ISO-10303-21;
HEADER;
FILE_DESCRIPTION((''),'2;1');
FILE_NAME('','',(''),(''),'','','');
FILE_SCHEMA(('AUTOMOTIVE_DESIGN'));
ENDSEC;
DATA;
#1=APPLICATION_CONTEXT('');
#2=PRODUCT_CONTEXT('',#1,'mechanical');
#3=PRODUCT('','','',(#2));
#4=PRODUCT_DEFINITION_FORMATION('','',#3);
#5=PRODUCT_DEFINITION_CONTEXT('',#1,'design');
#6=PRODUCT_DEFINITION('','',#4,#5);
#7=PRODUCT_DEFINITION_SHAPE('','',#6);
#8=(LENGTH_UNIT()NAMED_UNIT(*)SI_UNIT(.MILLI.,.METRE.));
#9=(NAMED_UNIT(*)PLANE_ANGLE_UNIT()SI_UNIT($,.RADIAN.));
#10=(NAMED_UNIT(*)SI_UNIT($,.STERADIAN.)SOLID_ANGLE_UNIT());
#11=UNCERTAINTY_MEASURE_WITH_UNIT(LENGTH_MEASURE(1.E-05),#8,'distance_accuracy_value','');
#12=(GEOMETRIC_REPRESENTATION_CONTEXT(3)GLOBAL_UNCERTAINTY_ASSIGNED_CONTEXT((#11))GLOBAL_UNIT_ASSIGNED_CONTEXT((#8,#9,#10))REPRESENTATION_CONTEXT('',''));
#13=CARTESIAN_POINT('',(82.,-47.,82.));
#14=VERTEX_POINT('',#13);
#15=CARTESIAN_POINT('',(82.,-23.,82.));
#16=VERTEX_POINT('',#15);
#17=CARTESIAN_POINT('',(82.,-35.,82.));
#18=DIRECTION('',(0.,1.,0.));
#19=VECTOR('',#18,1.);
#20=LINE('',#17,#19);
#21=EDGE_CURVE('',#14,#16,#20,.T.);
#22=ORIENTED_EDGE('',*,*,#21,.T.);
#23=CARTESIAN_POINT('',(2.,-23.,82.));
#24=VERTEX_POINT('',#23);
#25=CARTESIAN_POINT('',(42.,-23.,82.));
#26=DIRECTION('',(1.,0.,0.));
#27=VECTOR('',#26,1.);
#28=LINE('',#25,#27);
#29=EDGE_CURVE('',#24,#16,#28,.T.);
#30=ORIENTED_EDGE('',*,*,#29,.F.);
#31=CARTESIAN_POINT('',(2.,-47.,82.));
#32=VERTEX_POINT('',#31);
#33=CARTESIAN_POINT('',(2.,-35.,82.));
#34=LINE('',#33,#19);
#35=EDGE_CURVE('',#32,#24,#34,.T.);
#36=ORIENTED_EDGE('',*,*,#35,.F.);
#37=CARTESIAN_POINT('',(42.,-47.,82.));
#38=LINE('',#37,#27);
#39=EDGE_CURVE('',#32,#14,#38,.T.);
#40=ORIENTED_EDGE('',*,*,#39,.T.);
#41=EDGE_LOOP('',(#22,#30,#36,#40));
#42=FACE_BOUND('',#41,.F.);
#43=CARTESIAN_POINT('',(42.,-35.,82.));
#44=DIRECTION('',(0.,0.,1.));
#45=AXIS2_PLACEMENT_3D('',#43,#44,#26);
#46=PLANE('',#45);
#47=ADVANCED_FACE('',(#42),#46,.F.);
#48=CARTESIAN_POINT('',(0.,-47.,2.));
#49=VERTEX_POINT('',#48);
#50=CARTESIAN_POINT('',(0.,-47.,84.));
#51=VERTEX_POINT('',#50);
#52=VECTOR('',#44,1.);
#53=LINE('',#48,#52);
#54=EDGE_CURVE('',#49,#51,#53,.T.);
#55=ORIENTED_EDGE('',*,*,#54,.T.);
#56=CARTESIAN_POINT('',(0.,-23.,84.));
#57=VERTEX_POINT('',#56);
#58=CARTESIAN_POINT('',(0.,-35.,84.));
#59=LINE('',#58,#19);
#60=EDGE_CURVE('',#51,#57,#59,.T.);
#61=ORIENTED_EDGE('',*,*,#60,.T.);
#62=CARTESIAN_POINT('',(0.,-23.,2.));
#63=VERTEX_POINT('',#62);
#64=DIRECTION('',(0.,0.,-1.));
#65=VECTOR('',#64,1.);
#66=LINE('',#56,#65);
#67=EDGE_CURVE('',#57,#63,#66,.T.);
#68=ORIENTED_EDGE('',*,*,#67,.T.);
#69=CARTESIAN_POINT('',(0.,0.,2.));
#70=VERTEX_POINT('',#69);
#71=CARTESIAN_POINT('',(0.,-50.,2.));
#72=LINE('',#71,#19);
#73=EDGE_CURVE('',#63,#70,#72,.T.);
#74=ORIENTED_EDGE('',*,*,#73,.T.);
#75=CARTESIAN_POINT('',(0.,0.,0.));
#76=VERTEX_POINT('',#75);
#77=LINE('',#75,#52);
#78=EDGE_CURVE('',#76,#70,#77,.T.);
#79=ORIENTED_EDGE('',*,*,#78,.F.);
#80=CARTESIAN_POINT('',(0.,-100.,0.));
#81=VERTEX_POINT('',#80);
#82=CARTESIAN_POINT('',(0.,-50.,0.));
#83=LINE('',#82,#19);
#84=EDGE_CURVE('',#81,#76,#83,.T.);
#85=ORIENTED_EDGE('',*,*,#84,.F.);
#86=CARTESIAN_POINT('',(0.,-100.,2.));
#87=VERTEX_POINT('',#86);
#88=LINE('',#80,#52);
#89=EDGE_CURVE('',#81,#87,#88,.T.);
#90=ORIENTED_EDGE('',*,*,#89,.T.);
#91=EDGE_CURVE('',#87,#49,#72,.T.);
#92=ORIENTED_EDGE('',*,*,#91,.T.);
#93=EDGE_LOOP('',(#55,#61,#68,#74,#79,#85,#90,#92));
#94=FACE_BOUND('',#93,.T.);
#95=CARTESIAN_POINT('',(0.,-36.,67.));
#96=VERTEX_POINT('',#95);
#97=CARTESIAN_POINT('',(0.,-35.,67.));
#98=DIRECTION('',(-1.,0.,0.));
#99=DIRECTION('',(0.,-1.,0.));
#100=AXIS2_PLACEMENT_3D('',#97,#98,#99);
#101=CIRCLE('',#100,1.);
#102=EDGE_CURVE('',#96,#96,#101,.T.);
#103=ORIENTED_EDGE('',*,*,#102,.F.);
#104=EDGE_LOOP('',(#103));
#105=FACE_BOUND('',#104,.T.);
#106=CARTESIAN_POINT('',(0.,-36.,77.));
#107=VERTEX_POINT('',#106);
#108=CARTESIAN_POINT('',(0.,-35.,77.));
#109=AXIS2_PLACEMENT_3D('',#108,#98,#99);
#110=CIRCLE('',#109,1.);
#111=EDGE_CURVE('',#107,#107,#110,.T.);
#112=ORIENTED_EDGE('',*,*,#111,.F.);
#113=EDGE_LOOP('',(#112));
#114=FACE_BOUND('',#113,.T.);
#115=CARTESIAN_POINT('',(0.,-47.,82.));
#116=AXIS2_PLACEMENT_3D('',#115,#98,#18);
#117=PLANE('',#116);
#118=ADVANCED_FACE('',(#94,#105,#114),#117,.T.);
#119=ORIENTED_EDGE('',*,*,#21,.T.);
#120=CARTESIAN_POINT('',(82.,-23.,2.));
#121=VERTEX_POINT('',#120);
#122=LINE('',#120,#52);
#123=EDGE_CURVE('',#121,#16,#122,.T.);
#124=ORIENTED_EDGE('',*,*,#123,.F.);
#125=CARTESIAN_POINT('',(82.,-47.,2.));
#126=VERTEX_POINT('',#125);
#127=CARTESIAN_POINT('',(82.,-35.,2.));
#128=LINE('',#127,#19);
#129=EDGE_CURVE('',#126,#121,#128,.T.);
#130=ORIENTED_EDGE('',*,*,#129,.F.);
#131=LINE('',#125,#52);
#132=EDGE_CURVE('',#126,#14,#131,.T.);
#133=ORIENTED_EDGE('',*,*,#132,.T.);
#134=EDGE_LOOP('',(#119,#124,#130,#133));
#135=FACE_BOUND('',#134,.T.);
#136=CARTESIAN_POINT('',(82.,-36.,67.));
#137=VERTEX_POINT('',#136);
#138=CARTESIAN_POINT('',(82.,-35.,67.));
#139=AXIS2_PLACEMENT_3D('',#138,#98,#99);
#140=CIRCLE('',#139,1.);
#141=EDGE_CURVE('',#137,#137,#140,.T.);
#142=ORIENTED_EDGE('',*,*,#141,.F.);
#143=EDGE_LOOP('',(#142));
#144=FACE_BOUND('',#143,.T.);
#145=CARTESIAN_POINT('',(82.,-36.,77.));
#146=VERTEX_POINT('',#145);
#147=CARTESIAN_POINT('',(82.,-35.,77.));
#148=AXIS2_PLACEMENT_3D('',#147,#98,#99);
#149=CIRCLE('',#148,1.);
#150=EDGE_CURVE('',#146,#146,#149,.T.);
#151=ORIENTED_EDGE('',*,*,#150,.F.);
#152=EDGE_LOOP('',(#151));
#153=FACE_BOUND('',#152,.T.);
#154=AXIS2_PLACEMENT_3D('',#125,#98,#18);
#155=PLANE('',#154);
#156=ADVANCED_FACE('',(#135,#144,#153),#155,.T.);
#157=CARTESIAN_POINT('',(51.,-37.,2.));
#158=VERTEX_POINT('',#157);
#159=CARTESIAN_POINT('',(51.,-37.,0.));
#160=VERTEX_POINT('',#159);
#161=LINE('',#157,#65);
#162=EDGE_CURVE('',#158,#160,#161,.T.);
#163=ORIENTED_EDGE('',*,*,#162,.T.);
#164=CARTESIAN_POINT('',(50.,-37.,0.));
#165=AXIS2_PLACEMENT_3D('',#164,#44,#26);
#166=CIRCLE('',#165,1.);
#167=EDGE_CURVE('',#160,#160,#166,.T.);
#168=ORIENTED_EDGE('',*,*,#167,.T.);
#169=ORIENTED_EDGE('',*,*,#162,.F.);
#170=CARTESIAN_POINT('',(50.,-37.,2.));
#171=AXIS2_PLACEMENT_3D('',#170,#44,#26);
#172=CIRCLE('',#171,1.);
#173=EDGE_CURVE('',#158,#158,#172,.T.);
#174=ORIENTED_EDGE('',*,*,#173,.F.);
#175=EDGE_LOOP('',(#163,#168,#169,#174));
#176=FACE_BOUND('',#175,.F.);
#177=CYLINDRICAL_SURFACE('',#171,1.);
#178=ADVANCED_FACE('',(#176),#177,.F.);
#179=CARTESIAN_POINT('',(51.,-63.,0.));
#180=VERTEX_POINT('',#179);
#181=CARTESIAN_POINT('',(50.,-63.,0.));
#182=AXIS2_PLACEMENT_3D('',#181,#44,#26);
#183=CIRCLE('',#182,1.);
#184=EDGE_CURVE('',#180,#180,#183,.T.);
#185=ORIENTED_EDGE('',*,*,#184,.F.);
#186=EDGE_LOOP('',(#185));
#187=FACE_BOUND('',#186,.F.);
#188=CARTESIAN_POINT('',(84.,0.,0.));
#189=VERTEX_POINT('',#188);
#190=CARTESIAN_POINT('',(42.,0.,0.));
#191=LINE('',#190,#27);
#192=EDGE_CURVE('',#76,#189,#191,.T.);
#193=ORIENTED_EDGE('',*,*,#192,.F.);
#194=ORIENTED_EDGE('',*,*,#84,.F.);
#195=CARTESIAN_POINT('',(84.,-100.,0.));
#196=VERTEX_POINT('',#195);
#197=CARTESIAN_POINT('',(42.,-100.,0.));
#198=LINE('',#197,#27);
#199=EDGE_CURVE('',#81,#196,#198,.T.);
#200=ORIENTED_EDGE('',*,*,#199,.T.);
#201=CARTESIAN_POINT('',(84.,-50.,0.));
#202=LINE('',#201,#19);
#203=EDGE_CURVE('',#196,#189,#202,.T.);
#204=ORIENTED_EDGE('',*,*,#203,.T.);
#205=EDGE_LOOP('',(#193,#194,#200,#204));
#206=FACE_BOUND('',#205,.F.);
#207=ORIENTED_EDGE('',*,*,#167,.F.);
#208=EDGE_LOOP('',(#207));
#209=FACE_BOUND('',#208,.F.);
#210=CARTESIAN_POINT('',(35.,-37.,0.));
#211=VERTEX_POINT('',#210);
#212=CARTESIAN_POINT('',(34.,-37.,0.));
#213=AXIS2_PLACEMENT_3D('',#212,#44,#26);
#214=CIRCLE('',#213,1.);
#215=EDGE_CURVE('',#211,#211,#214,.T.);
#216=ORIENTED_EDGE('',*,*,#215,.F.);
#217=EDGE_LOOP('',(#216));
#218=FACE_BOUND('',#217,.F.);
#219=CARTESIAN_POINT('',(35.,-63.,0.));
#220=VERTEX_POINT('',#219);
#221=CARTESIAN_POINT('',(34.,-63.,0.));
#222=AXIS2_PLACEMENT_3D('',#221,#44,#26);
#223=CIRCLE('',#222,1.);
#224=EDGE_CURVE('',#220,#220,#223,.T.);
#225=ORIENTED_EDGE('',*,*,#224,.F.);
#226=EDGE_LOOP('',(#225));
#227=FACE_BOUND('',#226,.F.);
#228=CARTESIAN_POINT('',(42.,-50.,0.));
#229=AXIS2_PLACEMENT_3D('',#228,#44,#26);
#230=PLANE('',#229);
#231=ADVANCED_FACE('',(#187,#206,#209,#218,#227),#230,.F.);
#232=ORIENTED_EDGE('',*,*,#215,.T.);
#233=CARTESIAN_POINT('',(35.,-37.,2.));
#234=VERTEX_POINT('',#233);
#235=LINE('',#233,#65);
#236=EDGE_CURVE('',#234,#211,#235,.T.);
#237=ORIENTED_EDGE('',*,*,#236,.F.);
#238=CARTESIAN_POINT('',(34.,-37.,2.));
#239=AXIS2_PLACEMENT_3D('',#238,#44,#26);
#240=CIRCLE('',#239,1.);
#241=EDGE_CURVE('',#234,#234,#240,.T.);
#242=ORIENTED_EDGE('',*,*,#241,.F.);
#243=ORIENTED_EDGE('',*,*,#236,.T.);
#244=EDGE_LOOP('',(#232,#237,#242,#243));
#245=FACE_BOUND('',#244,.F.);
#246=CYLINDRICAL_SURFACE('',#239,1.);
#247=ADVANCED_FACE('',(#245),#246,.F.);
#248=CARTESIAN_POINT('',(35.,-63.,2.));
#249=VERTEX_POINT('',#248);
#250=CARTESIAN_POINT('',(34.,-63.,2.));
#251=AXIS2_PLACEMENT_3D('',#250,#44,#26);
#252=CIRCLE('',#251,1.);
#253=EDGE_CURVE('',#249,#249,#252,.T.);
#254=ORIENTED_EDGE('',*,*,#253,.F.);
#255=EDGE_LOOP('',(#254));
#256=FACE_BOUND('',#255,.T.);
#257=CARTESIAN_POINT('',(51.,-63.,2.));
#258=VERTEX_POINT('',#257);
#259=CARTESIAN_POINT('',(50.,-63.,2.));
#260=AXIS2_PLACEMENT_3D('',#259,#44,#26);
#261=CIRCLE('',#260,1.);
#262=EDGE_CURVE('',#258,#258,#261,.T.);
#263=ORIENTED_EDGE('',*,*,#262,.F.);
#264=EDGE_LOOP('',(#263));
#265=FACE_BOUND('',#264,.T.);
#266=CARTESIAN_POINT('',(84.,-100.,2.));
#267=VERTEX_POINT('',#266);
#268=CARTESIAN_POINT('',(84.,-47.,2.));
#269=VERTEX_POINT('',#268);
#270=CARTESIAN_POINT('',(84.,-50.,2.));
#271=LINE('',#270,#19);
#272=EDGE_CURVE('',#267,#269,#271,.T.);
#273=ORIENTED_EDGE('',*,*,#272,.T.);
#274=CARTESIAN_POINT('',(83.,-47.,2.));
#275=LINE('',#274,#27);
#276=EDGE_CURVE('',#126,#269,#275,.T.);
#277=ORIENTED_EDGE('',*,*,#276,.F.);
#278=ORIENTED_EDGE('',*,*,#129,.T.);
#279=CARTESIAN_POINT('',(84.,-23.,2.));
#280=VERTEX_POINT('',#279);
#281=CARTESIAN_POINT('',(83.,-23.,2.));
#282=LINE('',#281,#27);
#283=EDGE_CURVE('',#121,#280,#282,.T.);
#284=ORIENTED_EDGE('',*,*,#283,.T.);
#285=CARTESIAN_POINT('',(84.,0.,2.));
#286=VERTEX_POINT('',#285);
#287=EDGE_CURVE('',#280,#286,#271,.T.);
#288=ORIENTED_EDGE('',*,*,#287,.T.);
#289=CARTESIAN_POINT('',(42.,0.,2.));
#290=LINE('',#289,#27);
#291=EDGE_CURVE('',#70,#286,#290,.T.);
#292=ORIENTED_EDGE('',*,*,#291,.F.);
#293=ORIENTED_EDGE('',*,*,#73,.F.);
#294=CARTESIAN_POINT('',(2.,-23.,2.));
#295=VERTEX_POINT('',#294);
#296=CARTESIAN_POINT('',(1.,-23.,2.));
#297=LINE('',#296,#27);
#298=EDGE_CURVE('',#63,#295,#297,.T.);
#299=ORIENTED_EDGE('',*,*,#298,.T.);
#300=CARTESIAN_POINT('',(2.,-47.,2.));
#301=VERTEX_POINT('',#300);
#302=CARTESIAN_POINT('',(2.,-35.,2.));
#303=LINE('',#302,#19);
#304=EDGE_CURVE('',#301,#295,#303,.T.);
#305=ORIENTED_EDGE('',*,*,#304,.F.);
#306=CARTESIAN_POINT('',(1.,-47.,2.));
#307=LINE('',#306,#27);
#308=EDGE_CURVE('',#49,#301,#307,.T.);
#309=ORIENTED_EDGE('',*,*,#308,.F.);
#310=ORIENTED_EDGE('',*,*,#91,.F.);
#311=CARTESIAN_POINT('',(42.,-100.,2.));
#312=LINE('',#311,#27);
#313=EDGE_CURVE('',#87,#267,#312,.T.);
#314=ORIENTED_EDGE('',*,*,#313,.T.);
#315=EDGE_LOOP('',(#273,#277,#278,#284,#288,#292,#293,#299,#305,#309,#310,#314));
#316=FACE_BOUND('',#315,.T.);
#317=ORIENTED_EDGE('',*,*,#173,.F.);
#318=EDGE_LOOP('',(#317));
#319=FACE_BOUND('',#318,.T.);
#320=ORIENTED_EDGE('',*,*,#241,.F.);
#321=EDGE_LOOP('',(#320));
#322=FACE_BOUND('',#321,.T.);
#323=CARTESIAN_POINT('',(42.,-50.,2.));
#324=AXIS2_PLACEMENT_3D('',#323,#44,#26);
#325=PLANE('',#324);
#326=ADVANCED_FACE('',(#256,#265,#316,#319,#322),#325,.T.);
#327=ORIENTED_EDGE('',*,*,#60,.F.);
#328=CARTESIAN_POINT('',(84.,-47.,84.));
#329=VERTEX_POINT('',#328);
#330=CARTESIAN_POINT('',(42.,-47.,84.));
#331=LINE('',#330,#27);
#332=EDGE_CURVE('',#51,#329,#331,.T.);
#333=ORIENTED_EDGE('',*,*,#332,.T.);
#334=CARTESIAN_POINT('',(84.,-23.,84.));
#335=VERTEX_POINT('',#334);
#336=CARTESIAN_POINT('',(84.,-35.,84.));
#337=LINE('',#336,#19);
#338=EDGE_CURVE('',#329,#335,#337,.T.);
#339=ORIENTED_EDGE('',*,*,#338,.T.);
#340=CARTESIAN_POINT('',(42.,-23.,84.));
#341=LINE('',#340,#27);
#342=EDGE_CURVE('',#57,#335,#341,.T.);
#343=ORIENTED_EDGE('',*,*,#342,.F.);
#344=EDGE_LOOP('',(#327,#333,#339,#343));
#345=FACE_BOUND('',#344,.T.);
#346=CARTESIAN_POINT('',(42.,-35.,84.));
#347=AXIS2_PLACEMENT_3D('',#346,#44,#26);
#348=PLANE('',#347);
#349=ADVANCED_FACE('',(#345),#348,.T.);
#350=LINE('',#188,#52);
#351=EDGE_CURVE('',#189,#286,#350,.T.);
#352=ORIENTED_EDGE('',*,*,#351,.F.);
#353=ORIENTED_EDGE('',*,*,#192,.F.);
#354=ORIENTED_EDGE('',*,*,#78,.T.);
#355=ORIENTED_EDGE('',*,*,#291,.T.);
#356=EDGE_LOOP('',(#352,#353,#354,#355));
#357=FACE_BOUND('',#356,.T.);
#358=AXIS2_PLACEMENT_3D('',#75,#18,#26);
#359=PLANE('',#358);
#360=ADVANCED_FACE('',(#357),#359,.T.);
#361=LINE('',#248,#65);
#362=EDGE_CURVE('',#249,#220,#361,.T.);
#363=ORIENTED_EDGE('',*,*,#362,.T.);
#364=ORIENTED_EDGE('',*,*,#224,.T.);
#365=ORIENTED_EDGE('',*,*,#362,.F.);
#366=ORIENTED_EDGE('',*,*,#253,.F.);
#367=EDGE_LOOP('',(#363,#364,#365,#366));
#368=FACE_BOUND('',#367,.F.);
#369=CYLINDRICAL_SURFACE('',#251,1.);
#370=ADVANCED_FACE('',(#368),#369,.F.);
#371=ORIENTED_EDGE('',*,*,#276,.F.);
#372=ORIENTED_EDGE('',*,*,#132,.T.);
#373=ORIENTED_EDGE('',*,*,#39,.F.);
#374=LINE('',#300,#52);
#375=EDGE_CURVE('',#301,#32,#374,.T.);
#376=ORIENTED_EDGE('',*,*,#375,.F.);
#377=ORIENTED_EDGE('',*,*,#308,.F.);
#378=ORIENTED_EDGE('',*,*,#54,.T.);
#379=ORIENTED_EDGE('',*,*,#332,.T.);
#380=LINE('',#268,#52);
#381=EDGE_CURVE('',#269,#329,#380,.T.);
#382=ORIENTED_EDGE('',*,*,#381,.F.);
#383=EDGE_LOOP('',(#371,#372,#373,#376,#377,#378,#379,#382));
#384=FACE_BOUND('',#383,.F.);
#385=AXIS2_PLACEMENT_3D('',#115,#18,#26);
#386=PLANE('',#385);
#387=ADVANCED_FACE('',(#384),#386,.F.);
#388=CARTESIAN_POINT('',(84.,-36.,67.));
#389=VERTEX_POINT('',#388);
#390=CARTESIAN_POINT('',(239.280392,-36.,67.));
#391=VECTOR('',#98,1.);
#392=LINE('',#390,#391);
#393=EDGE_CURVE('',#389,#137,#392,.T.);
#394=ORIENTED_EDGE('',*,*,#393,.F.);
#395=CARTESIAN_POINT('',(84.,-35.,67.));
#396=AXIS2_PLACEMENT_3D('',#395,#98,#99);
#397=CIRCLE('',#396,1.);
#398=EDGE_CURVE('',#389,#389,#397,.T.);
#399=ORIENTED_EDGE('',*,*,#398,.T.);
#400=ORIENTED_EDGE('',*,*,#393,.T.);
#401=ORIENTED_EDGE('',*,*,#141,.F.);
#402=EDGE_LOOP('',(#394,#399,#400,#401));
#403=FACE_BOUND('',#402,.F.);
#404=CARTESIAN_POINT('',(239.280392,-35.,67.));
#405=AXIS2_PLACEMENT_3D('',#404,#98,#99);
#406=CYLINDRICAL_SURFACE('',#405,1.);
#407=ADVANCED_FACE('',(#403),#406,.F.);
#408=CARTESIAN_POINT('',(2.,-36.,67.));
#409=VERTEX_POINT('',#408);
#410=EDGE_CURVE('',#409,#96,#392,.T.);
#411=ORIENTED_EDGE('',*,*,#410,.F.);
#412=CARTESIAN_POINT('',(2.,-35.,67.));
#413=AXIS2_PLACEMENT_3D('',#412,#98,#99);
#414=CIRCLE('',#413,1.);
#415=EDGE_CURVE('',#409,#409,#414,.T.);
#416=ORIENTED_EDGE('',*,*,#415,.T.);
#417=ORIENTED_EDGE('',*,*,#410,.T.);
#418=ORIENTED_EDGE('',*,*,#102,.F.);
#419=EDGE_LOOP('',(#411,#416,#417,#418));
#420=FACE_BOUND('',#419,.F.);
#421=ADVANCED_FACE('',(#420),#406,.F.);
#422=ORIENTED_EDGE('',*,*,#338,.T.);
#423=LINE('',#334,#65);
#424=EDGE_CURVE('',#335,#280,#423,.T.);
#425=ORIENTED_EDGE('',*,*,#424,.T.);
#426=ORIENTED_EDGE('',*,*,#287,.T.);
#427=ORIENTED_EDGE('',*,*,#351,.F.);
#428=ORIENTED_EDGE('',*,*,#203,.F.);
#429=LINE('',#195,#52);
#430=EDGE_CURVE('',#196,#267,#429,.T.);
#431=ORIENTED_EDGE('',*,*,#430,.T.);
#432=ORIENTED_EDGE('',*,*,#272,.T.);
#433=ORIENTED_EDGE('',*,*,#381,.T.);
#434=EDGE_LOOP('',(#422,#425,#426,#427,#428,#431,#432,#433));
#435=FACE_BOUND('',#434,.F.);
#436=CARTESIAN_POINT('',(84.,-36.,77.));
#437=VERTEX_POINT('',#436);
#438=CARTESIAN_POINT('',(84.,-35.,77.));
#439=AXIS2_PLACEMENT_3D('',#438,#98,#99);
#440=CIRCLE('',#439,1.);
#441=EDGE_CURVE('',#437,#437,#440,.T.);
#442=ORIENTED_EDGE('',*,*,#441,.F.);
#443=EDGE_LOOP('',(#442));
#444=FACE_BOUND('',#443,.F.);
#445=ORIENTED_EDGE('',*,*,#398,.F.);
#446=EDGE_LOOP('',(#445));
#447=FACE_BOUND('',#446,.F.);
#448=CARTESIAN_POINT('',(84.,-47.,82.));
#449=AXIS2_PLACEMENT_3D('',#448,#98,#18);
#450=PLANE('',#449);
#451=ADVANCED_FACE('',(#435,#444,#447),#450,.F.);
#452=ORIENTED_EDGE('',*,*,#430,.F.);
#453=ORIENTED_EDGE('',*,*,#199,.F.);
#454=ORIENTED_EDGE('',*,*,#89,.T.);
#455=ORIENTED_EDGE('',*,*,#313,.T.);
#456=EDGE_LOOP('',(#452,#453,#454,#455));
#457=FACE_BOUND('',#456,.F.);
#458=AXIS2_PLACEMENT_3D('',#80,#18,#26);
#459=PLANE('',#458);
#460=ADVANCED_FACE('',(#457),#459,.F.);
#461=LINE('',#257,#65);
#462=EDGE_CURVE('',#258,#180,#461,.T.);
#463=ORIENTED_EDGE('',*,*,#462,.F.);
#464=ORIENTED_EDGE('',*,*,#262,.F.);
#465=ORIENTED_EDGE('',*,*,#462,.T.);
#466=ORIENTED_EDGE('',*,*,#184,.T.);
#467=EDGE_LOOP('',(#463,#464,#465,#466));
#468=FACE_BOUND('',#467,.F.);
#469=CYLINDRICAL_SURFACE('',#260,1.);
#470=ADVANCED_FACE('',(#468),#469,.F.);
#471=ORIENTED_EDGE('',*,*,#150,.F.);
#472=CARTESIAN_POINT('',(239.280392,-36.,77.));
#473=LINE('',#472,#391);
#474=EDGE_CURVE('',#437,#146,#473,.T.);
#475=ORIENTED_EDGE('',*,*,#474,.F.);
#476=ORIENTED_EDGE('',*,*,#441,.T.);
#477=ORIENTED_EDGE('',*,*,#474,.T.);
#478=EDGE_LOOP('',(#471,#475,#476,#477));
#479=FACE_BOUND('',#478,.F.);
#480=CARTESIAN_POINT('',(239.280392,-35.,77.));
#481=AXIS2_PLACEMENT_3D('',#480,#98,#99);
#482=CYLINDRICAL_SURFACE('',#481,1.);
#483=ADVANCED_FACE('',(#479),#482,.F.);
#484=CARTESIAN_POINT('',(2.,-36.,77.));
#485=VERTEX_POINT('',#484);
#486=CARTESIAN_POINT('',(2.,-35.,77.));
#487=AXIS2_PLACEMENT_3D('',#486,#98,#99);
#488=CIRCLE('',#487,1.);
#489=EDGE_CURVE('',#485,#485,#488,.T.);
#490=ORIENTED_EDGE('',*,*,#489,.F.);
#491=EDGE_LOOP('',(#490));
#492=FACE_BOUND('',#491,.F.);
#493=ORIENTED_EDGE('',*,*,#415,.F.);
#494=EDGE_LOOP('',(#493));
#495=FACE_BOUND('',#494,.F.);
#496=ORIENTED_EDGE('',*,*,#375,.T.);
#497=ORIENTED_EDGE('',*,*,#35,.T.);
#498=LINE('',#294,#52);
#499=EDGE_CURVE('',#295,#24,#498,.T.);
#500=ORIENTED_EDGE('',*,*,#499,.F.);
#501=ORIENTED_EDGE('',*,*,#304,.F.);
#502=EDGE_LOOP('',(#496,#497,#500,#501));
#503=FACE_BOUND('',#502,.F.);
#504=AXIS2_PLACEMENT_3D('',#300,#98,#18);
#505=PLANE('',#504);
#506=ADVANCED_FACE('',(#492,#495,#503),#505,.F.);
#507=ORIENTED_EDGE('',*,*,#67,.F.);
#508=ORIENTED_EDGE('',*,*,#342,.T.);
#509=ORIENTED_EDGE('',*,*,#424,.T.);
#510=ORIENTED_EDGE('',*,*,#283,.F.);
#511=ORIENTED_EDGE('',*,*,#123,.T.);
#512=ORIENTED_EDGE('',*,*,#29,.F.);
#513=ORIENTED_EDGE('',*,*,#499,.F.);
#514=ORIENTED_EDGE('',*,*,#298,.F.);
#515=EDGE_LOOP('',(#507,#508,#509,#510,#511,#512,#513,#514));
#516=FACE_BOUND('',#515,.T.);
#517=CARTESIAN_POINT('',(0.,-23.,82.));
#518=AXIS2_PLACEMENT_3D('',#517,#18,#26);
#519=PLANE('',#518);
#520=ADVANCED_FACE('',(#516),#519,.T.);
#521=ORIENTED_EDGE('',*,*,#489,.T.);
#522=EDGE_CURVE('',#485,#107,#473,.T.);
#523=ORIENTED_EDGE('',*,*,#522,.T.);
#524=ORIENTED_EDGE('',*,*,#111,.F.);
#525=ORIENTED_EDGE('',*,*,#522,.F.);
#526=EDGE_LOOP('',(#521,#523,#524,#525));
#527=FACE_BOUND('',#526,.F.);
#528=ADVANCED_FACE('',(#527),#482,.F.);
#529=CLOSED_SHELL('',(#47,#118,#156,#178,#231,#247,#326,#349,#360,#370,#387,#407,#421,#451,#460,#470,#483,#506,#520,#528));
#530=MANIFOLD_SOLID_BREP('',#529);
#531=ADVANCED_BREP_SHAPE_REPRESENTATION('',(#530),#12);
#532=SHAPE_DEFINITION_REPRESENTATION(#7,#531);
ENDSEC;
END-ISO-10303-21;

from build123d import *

# Parameters (mm, degrees)
F0_W     = 84
F0_H     = 100
F1_DEPTH = 2
F2_W     = 2
F2_H     = 24
F3_DEPTH = 80
F4_W     = 84
F4_H     = 24
F5_DEPTH = 2
F7_D     = 2
F7_DEPTH = 2.001
F9_D     = 2


with BuildPart() as f1:
    # F0 (on Top) → F1 (new body)
    with BuildSketch(Plane.XY):
        with Locations((42, -50)):
            Rectangle(F0_W, F0_H)
    extrude(amount=F1_DEPTH)

    # F2 (on face) → F3 (join)
    with BuildSketch(Plane.XY.offset(2)):
        with Locations((1, -35)):
            Rectangle(F2_W, F2_H)
        with Locations((83, -35)):
            Rectangle(F2_W, F2_H)
    extrude(amount=F3_DEPTH)

    # F4 (on face) → F5 (join)
    with BuildSketch(Plane.XY.offset(82)):
        with Locations((42, -35)):
            Rectangle(F4_W, F4_H)
    extrude(amount=F5_DEPTH)

    # F7 (through all, one way)
    with BuildSketch(Plane.XY.offset(2)):
        with Locations((34, -37), (50, -37), (50, -63), (34, -63)):
            Circle(F7_D / 2)
    extrude(amount=-F7_DEPTH, mode=Mode.SUBTRACT)

    # F9 (through all)
    with Locations(Plane.YZ.offset(84)):
        with Locations((-35, 77), (-35, 67)):
            Hole(F9_D / 2)


solid = f1.part
